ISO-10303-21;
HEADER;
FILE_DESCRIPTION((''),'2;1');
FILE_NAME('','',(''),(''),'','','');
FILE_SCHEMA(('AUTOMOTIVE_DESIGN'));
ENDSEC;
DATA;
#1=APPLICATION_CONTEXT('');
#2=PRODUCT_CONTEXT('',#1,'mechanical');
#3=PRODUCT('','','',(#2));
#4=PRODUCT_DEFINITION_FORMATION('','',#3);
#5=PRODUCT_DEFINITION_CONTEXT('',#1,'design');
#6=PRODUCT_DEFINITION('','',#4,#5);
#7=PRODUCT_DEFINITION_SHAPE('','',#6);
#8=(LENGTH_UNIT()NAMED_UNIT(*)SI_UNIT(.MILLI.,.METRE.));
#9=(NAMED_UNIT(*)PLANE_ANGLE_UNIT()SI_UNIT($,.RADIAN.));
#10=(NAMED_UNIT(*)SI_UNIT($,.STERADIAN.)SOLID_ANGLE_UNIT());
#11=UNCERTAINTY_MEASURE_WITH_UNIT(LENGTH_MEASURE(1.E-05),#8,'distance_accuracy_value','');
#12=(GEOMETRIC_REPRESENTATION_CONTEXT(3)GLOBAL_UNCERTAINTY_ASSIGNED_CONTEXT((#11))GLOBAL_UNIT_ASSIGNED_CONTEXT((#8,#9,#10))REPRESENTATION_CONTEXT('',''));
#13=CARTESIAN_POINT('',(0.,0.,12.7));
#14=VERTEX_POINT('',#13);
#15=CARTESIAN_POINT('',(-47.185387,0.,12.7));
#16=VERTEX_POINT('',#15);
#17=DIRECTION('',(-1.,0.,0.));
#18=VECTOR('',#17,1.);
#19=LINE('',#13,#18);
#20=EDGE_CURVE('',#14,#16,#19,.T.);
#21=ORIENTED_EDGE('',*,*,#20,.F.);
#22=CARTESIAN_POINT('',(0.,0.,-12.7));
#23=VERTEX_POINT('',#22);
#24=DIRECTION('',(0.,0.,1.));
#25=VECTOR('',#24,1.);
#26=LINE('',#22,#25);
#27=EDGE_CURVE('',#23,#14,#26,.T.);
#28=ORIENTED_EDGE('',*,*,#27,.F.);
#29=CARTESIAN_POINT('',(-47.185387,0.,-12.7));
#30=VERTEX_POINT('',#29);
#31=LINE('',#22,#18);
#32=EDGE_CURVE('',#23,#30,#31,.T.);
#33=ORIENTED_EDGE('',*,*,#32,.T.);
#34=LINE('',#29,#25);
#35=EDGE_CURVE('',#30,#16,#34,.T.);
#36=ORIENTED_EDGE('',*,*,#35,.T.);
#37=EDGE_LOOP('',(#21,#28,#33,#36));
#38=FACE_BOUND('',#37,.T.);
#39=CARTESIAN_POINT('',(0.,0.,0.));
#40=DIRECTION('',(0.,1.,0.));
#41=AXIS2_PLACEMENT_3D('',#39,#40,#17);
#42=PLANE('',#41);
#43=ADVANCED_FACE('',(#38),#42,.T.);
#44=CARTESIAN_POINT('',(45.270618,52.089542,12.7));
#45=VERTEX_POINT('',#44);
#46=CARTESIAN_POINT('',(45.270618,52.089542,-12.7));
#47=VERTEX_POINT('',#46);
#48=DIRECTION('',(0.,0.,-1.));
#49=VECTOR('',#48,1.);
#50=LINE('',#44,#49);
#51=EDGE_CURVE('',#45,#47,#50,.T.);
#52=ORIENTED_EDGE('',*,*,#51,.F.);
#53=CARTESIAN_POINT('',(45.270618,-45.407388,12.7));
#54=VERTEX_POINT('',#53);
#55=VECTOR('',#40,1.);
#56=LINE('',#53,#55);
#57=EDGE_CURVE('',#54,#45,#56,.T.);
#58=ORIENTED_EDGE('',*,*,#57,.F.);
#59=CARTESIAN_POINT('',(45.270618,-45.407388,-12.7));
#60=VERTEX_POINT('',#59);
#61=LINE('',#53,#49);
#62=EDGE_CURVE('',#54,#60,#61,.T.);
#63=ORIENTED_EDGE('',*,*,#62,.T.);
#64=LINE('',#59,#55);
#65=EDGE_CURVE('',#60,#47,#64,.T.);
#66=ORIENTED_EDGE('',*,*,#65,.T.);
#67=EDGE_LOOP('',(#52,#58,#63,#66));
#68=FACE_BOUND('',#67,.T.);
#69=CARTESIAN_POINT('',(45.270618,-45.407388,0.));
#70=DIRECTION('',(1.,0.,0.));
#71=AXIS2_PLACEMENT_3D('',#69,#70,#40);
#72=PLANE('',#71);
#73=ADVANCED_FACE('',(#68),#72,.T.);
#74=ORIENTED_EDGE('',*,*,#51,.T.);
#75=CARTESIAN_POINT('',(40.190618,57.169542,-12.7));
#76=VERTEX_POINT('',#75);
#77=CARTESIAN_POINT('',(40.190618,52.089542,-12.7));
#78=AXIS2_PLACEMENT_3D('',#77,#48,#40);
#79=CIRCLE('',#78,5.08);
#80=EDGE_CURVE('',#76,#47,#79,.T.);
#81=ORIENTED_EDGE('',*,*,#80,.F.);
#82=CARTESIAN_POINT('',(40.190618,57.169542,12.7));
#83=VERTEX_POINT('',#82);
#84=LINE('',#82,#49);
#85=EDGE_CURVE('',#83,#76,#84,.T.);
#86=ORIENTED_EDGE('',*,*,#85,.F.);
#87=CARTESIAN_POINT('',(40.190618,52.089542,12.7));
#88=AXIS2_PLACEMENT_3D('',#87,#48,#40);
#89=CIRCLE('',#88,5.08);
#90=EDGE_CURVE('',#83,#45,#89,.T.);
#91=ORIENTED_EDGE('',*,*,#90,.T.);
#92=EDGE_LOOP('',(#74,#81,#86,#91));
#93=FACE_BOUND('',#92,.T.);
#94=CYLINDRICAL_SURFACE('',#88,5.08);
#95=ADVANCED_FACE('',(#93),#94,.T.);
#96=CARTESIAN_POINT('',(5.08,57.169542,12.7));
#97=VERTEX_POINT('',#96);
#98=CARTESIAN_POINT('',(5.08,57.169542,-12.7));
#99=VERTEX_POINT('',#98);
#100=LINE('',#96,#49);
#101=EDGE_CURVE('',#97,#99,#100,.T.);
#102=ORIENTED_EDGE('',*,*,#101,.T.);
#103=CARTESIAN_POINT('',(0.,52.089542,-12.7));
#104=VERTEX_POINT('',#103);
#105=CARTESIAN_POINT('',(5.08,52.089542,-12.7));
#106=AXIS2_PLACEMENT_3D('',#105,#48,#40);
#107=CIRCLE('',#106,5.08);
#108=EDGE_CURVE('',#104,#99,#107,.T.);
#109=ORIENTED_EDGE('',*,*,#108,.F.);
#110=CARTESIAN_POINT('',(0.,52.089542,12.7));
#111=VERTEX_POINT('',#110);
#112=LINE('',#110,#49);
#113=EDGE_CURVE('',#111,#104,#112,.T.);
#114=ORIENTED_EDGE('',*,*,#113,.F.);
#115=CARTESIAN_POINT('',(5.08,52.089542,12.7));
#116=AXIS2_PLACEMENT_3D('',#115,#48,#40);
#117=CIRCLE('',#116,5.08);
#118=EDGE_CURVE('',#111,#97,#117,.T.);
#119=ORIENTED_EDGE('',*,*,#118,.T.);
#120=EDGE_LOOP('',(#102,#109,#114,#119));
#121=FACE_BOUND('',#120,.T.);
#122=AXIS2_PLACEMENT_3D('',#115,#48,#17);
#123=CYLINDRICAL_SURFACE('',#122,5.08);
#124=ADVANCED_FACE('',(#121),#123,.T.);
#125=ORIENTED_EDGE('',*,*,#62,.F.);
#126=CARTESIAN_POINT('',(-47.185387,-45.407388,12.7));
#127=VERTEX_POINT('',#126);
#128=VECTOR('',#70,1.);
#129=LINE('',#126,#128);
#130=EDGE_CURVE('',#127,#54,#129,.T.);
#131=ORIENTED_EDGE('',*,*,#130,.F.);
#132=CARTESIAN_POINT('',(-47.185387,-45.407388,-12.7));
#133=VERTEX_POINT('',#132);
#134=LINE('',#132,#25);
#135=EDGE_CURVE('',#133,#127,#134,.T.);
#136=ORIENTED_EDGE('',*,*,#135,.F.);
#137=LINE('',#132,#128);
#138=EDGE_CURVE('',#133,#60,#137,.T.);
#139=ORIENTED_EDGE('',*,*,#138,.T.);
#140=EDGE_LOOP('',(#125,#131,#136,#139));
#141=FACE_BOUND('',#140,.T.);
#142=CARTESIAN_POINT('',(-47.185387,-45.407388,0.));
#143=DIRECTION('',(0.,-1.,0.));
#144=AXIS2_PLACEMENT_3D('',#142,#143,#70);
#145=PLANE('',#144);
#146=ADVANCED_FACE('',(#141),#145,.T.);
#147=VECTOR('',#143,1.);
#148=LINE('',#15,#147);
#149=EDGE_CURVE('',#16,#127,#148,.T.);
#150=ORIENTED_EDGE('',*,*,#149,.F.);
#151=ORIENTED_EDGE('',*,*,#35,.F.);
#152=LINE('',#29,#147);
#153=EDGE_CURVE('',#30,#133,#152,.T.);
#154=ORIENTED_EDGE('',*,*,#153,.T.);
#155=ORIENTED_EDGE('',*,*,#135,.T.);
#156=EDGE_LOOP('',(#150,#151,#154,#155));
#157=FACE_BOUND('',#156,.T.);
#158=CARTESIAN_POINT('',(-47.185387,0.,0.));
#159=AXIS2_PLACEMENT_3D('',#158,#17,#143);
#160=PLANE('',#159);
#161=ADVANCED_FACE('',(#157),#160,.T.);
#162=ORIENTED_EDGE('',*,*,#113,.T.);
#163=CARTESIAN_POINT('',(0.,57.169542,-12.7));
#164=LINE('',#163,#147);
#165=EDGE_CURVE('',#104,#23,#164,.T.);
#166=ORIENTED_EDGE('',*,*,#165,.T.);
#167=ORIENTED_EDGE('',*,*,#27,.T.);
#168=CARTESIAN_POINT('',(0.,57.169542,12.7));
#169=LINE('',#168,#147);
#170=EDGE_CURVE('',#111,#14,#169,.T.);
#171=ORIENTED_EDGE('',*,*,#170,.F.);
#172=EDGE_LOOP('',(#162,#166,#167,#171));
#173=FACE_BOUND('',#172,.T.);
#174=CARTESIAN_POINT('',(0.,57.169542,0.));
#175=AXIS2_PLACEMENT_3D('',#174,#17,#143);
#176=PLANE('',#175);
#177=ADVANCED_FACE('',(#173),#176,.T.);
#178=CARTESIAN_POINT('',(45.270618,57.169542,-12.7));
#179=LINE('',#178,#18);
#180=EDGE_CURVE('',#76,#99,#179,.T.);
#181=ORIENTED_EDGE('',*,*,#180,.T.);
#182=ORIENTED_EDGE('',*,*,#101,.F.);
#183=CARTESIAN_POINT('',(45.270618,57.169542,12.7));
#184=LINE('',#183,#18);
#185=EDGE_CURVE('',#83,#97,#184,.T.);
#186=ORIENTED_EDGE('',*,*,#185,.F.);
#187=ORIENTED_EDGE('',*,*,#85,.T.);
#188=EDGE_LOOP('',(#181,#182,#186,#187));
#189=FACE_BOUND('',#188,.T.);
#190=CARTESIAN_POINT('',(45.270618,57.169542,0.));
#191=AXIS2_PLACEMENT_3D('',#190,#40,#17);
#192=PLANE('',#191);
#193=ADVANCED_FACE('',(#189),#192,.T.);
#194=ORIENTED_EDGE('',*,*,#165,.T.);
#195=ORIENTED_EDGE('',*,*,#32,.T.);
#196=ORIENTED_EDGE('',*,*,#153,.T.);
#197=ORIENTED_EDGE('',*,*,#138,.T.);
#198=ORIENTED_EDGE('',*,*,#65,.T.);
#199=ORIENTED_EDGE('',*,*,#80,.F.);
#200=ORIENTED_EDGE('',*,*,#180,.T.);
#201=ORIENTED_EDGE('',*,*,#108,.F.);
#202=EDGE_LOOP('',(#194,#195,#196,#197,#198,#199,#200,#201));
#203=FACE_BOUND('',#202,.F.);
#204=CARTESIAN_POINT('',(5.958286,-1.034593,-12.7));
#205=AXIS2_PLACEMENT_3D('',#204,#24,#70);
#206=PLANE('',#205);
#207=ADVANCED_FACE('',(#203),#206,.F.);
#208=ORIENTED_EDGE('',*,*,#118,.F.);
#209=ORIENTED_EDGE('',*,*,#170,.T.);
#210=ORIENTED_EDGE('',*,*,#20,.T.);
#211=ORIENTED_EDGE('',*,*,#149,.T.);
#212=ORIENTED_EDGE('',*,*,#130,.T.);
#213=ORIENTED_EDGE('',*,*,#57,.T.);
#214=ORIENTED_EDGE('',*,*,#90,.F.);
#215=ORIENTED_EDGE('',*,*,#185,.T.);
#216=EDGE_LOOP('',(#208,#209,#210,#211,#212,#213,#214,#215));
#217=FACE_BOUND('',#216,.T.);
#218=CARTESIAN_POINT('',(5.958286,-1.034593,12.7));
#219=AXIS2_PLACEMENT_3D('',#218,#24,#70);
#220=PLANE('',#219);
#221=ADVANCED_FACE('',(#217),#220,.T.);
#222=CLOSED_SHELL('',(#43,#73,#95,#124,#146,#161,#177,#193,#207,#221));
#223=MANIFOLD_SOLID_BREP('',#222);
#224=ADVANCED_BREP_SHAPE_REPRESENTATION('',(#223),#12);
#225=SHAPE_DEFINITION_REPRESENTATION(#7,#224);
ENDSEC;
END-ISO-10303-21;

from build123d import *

# Parameters (mm, degrees)
F1_DEPTH = 12.7
F2_R     = 5.08


with BuildPart() as f1:
    # F0 (on Top) → F1 (new body, symmetric)
    with BuildSketch(Plane.XY):
        Polygon((0, 57.169542), (0, 0), (-47.185387, 0), (-47.185387, -45.407388), (45.270618, -45.407388), (45.270618, 57.169542), align=None)
    extrude(amount=F1_DEPTH, both=True)

    # F2
    f2_edges = [f1.edges().sort_by_distance(p)[0] for p in [
        (0, 57.169542, 0),
        (45.270618, 57.169542, 0),
    ]]
    fillet(f2_edges, radius=F2_R)


solid = f1.part
